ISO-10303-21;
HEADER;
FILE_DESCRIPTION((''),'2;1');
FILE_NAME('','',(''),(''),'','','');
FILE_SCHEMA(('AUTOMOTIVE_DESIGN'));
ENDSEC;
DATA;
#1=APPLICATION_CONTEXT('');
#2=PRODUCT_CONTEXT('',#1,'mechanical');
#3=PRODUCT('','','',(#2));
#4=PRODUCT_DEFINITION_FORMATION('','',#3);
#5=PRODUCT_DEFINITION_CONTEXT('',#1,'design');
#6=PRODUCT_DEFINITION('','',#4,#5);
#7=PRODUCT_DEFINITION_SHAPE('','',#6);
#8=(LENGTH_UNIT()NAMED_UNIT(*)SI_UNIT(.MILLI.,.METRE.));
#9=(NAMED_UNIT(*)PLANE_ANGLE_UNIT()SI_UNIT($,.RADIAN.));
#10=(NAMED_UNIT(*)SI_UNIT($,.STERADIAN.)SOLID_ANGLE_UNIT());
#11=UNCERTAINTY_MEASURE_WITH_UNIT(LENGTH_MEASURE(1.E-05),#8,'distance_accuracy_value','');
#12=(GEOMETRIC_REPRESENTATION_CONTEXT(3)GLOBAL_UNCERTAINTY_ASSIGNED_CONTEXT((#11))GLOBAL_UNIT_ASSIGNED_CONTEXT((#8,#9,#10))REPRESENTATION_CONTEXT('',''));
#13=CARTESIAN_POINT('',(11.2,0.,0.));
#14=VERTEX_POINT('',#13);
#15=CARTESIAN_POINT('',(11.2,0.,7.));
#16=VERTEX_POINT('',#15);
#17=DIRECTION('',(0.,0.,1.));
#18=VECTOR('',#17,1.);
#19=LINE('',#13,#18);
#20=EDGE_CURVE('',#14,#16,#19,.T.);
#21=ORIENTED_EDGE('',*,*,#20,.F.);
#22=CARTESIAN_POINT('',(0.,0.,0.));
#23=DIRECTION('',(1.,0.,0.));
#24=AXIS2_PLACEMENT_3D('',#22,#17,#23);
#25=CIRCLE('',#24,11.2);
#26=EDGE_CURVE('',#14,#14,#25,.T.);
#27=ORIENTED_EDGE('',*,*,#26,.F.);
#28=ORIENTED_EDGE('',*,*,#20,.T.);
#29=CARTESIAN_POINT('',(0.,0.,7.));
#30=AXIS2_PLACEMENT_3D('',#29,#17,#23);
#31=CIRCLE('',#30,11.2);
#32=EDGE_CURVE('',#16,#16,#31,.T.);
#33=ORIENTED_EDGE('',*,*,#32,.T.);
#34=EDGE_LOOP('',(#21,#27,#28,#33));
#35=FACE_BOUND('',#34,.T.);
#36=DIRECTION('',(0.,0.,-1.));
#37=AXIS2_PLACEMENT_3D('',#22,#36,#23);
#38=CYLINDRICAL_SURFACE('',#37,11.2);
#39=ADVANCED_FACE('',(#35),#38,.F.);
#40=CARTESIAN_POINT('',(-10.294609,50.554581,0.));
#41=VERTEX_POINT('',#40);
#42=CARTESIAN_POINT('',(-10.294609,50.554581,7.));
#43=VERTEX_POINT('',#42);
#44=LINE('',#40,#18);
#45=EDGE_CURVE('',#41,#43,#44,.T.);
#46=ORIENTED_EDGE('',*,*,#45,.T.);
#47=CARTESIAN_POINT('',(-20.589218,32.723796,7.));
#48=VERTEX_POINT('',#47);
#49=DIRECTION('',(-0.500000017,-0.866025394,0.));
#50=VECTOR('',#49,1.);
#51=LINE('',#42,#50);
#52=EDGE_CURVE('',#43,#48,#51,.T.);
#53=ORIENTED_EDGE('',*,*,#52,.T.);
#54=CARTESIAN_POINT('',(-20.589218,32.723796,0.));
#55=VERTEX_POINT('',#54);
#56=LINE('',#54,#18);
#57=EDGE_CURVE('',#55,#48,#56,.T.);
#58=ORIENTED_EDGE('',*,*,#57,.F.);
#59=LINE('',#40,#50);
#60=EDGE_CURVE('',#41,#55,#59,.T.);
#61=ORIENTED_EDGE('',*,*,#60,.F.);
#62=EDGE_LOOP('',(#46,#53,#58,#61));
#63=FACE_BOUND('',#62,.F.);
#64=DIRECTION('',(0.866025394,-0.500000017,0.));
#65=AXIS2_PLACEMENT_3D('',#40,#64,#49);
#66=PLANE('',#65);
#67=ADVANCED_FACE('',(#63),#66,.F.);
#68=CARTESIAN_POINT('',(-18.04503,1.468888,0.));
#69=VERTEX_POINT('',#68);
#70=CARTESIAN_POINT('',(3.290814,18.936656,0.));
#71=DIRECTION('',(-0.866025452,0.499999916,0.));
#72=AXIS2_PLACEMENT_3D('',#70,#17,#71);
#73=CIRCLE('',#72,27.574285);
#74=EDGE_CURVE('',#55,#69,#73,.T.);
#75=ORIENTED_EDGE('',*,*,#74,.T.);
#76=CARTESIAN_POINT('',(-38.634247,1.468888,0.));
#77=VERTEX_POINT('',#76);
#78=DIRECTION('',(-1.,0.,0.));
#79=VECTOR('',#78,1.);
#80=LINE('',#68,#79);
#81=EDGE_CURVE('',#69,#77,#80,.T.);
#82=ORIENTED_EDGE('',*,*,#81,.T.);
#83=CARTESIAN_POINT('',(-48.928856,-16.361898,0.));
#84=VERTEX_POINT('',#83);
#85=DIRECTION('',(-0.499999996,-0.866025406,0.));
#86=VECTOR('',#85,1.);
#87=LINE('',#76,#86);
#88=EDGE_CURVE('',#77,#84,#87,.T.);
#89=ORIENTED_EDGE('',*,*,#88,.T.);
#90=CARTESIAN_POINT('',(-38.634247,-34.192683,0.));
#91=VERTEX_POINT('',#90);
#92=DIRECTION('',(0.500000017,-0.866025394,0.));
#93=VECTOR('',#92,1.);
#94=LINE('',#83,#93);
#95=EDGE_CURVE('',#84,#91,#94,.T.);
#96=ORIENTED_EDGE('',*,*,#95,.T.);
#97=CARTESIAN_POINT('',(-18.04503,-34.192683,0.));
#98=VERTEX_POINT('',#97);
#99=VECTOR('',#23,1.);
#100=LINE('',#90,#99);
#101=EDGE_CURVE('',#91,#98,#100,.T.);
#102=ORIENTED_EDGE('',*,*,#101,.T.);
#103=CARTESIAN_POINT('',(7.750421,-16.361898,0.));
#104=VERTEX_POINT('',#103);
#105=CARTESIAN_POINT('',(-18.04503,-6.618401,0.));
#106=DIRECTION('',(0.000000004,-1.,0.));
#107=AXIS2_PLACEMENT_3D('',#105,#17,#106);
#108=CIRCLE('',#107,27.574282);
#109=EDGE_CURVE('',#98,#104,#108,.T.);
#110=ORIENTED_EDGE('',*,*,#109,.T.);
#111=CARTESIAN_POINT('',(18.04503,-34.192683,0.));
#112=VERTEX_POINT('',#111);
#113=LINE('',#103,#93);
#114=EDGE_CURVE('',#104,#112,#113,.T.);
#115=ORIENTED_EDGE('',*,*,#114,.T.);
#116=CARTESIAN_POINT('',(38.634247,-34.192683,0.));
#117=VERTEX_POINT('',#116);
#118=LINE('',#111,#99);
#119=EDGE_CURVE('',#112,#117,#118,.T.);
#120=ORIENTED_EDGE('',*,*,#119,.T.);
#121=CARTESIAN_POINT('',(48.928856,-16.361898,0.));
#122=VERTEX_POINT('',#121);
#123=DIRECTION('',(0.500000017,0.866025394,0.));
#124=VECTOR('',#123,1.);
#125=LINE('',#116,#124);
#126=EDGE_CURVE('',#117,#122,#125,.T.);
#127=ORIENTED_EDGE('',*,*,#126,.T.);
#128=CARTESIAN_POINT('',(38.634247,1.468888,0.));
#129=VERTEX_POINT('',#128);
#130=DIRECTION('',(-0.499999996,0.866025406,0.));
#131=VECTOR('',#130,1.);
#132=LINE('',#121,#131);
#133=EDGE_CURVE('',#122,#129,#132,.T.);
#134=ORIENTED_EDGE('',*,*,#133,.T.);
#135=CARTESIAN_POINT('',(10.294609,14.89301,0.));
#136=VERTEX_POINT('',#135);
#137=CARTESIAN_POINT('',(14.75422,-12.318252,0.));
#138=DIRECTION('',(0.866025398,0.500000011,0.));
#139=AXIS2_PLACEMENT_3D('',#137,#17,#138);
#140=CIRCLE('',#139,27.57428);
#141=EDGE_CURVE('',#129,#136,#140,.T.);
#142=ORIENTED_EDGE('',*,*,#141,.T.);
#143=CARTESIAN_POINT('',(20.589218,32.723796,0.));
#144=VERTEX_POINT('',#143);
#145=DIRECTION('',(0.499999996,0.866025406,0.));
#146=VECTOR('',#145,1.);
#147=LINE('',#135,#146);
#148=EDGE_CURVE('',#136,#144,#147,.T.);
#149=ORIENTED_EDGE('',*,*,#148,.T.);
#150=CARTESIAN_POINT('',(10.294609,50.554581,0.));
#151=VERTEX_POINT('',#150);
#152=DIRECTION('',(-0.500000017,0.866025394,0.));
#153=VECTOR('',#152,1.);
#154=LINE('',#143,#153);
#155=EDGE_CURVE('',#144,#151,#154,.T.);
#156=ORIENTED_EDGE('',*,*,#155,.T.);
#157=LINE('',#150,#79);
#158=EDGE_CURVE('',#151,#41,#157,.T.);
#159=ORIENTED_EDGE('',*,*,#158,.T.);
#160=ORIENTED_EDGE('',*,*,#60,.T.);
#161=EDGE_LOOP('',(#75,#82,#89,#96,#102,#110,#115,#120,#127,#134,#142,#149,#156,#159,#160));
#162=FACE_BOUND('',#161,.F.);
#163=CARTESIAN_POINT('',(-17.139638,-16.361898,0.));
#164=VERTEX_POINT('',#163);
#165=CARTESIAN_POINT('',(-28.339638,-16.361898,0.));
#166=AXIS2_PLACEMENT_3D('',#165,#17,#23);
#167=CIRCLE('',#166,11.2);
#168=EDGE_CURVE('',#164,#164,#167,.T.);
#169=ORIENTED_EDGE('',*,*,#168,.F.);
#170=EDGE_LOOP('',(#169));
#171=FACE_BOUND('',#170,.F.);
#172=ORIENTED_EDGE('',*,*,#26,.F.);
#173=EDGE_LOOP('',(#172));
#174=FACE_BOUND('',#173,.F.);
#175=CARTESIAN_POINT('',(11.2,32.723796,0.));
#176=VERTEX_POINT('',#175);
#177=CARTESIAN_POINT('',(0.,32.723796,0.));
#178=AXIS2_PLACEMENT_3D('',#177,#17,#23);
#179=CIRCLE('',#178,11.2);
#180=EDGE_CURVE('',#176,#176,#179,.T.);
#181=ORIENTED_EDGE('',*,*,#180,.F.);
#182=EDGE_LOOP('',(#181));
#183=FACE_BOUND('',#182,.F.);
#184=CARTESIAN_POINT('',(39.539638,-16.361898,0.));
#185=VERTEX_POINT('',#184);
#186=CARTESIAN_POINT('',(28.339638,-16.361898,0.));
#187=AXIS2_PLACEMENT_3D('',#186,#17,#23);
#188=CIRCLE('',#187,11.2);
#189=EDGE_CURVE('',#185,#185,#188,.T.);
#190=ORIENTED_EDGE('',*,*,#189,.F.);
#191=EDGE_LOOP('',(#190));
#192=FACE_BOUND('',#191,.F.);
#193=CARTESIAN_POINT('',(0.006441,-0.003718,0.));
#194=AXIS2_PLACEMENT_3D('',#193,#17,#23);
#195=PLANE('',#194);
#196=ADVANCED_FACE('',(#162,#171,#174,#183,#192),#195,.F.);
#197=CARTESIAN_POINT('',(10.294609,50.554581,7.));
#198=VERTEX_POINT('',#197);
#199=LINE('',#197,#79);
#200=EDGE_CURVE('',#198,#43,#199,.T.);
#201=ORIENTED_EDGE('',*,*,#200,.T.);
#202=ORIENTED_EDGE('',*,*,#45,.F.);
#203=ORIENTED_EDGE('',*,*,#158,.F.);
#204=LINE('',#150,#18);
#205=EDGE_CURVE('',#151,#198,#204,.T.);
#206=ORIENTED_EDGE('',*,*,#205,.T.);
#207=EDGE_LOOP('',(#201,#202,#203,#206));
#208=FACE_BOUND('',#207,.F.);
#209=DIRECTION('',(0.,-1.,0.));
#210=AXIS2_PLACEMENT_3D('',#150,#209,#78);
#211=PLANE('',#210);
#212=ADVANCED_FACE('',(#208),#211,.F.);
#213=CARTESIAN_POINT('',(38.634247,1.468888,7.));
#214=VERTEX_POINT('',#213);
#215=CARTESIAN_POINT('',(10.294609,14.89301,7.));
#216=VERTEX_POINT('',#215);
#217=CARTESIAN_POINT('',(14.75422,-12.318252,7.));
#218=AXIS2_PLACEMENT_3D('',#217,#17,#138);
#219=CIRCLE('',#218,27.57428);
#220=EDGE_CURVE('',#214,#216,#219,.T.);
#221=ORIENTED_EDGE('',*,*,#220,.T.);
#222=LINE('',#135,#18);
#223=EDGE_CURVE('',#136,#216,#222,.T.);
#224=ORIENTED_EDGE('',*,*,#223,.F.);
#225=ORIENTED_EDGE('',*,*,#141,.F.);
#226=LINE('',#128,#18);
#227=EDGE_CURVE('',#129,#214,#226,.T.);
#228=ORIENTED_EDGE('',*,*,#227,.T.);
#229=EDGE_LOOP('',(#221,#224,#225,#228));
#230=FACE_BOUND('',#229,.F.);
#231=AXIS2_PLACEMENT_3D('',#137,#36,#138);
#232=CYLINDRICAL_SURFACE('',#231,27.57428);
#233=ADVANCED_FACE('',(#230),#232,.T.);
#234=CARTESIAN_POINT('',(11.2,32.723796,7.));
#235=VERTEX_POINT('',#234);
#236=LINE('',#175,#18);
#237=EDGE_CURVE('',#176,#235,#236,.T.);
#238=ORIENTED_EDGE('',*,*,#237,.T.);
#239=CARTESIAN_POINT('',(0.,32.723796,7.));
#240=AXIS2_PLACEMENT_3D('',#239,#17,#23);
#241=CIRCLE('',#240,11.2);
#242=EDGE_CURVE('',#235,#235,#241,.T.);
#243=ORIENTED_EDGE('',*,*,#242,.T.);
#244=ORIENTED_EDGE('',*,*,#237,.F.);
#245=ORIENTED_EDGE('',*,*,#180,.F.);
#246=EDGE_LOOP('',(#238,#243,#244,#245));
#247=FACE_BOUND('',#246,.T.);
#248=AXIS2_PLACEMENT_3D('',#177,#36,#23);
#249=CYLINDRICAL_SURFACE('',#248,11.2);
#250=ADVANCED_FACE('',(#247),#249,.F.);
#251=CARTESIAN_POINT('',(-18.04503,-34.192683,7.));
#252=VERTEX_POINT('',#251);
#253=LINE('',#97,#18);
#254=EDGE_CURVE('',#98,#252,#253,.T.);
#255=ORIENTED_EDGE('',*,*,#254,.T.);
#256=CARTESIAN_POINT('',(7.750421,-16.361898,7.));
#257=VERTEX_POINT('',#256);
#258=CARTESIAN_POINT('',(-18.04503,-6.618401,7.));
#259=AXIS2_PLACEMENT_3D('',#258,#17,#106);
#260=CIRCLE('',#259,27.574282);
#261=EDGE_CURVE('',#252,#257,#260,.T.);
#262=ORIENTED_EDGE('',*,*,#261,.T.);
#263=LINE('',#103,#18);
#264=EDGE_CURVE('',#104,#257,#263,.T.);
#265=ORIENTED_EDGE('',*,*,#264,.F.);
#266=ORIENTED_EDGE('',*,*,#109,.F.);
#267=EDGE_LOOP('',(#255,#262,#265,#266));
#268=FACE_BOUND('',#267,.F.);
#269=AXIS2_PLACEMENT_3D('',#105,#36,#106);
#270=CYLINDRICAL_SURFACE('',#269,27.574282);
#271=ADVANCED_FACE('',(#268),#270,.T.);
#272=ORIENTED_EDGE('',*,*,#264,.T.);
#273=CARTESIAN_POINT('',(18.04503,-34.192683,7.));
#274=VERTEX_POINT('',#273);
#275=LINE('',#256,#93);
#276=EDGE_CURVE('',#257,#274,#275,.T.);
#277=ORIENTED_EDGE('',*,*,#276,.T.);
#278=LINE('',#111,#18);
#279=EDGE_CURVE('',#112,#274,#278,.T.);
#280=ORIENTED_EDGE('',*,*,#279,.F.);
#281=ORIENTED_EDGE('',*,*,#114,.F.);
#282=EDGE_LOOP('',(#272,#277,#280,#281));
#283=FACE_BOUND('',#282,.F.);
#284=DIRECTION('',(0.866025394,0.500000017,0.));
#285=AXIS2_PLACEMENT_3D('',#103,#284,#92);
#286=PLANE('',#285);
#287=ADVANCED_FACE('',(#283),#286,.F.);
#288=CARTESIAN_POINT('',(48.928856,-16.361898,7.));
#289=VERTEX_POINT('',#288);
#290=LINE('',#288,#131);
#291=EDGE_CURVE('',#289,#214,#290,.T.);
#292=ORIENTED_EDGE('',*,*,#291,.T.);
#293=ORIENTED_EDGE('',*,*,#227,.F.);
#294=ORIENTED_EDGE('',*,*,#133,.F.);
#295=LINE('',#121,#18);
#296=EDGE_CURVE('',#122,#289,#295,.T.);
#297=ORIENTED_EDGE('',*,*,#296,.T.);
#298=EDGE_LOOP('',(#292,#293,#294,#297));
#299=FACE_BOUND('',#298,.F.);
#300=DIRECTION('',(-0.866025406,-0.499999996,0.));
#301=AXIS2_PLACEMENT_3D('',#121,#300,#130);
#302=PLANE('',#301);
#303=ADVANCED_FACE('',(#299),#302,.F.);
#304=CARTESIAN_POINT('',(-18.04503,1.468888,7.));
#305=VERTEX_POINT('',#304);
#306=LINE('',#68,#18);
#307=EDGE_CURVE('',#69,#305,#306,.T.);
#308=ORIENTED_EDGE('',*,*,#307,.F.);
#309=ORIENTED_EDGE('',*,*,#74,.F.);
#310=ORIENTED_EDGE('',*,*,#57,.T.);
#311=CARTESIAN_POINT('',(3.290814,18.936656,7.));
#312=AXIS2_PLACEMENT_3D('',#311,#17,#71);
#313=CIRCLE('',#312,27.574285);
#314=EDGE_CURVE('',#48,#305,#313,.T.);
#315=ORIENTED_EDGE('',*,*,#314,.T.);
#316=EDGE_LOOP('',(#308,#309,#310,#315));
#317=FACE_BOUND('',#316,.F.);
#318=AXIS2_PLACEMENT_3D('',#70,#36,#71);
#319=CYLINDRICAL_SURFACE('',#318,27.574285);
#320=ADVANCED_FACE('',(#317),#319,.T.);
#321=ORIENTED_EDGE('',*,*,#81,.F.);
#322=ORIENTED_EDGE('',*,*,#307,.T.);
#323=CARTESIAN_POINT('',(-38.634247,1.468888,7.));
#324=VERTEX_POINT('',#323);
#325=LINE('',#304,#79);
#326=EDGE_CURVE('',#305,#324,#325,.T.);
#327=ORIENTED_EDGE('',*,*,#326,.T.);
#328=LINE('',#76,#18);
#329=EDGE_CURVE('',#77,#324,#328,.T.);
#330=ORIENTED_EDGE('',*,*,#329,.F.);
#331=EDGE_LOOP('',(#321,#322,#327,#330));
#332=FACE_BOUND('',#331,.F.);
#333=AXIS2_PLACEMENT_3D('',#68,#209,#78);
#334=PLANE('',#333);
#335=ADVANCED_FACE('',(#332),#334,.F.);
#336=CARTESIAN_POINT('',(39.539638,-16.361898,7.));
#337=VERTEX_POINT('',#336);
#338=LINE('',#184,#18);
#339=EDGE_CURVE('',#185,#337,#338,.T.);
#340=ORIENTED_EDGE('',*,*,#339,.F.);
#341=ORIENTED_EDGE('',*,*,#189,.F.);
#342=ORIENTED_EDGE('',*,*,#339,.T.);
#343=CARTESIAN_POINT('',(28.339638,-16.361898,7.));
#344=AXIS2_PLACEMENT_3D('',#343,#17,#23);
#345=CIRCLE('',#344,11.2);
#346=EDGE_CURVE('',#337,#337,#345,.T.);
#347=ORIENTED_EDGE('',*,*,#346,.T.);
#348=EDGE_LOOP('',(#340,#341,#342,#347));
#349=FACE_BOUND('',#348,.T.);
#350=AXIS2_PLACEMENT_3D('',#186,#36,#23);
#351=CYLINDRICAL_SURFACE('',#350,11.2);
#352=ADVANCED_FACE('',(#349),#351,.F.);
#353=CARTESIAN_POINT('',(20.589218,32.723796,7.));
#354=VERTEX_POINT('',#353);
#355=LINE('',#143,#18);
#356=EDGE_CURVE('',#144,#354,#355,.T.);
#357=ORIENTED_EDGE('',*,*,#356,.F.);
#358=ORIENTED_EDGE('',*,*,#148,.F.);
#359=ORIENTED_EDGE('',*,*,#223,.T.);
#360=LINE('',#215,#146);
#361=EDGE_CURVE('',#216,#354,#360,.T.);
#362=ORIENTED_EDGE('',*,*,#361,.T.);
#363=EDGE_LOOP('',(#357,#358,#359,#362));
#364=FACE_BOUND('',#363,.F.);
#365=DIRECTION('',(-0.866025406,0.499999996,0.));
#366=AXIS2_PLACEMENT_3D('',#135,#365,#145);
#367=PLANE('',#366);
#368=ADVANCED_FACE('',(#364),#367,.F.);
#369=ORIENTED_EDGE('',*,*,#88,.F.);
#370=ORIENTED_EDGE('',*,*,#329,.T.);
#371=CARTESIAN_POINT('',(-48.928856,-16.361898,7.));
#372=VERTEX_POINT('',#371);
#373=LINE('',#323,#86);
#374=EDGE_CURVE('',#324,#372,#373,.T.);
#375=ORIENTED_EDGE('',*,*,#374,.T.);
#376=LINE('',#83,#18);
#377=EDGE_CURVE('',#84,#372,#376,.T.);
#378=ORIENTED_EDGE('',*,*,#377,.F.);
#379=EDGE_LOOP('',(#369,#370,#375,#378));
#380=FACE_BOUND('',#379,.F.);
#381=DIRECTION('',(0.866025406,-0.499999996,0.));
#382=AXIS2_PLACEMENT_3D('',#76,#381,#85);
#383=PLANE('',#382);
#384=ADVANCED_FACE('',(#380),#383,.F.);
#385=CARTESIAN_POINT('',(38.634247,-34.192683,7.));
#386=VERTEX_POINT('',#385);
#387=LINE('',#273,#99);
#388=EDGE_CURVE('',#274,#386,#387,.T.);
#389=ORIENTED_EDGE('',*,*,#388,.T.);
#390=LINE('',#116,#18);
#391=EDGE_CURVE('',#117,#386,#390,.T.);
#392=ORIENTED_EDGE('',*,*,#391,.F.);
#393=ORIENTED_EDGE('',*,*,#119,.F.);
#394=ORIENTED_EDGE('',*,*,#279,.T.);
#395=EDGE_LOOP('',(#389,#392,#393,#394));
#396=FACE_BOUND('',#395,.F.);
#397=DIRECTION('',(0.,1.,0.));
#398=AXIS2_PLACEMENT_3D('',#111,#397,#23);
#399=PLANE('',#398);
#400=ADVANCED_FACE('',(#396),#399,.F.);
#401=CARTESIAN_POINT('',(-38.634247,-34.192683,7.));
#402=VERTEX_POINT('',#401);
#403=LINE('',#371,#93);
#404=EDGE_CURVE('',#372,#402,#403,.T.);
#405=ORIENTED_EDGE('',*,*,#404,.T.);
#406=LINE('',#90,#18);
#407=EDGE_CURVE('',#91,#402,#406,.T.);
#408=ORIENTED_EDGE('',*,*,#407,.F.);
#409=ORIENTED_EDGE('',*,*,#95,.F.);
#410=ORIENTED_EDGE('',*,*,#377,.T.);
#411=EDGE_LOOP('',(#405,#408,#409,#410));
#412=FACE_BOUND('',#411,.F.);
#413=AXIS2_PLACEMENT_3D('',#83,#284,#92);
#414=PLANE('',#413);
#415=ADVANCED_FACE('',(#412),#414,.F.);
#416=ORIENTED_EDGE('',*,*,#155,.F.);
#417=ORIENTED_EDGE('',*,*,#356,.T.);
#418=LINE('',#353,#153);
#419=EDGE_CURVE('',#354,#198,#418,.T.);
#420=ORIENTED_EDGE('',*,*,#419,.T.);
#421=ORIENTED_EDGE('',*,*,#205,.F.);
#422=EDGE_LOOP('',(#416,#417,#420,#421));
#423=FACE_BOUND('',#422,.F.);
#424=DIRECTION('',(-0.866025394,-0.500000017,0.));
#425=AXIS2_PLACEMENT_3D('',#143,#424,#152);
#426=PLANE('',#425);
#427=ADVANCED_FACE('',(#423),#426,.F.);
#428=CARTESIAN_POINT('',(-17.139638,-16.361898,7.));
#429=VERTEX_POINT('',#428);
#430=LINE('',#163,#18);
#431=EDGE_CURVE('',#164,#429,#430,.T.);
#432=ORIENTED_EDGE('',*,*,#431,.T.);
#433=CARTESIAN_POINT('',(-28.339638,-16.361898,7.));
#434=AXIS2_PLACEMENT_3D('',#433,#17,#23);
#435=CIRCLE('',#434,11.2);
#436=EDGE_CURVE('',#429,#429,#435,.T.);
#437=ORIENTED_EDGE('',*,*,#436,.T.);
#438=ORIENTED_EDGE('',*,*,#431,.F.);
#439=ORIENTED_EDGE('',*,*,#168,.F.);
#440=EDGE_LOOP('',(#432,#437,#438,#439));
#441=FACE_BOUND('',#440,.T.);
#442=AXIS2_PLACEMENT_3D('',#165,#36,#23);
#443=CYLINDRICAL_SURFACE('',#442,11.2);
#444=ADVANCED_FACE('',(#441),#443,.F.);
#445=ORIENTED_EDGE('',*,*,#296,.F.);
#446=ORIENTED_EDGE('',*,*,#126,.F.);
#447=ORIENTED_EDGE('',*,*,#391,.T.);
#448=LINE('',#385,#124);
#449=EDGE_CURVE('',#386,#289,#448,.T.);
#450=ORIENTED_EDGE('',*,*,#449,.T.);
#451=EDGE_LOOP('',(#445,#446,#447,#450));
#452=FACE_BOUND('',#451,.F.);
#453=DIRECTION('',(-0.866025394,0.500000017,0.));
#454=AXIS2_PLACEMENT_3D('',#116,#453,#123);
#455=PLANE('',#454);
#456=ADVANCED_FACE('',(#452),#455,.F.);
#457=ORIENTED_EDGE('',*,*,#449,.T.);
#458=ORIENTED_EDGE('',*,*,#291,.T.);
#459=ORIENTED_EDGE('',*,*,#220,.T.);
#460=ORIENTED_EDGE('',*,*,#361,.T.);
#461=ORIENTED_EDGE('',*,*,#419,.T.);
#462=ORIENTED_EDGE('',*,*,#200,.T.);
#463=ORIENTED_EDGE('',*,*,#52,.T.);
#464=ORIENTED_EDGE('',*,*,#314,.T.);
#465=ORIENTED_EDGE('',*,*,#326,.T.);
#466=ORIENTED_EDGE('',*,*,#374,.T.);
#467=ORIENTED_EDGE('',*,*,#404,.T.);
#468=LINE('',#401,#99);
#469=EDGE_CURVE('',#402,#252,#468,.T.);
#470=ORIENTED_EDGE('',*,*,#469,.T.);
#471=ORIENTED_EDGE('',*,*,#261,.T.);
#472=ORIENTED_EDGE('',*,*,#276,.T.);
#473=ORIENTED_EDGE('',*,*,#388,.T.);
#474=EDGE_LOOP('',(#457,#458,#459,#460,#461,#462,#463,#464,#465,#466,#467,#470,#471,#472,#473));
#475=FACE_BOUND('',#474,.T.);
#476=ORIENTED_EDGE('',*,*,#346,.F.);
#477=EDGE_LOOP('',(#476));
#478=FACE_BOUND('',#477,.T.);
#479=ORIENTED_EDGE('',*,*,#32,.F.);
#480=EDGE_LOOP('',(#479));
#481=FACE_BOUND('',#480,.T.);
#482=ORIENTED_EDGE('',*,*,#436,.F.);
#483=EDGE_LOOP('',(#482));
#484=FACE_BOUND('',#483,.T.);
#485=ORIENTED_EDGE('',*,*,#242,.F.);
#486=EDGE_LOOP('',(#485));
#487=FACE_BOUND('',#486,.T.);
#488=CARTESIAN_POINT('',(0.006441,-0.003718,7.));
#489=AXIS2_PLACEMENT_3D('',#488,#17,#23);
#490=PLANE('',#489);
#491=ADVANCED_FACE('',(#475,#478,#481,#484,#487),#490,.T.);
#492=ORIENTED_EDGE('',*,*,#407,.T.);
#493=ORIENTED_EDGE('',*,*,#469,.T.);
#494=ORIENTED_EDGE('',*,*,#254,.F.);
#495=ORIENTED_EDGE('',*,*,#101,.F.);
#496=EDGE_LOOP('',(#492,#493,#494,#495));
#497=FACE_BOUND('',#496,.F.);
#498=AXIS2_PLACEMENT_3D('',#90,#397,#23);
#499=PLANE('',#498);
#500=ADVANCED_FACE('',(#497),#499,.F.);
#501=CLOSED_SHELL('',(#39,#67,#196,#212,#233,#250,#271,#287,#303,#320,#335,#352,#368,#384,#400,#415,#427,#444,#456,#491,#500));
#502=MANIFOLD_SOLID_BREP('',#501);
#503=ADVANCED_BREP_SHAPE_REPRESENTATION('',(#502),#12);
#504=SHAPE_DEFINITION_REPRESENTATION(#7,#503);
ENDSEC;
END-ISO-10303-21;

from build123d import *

# Parameters (mm, degrees)
F0_R     = 11.2
F1_DEPTH = 7


with BuildPart() as f1:
    # F0 (on Top) → F1 (new body)
    with BuildSketch(Plane.XY):
        with BuildLine():
            Line((7.750421, -16.361898), (11.378001, -10.078745))
            ThreePointArc((11.378001, -10.078745), (13.163586, -7.6), (14.417449, -4.814265))
            Line((14.417449, -4.814265), (18.04503, 1.468888))
            Line((18.04503, 1.468888), (38.634247, 1.468888))
            ThreePointArc((38.634247, 1.468888), (26.558452, 12.60164), (10.294609, 14.89301))
            Line((10.294609, 14.89301), (3.039449, 14.89301))
            Line((3.039449, 14.89301), (-3.039449, 14.89301))
            Line((-3.039449, 14.89301), (-10.294609, 14.89301))
            Line((-10.294609, 14.89301), (-20.589218, 32.723796))
            ThreePointArc((-20.589218, 32.723796), (-24.192566, 16.699475), (-18.04503, 1.468888))
            Line((-18.04503, 1.468888), (-7.750421, -16.361898))
            Line((-7.750421, -16.361898), (-18.04503, -34.192683))
            ThreePointArc((-18.04503, -34.192683), (-2.365886, -29.301114), (7.750421, -16.361898))
        make_face()
        Circle(F0_R, mode=Mode.SUBTRACT)
        Polygon((-38.634247, -34.192683), (-18.04503, -34.192683), (-7.750421, -16.361898), (-18.04503, 1.468888), (-38.634247, 1.468888), (-48.928856, -16.361898), align=None)
        with Locations((-28.339638, -16.361898)):
            Circle(F0_R, mode=Mode.SUBTRACT)
        with BuildLine():
            ThreePointArc((14.417449, -4.814265), (13.163586, -7.6), (11.378001, -10.078745))
            Line((11.378001, -10.078745), (7.750421, -16.361898))
            Line((7.750421, -16.361898), (18.04503, -34.192683))
            Line((18.04503, -34.192683), (38.634247, -34.192683))
            Line((38.634247, -34.192683), (48.928856, -16.361898))
            Line((48.928856, -16.361898), (38.634247, 1.468888))
            Line((38.634247, 1.468888), (18.04503, 1.468888))
            Line((18.04503, 1.468888), (14.417449, -4.814265))
        make_face()
        with Locations((28.339638, -16.361898)):
            Circle(F0_R, mode=Mode.SUBTRACT)
        Polygon((3.039449, 14.89301), (10.294609, 14.89301), (20.589218, 32.723796), (10.294609, 50.554581), (-10.294609, 50.554581), (-20.589218, 32.723796), (-10.294609, 14.89301), (-3.039449, 14.89301), align=None)
        with Locations((0, 32.723796)):
            Circle(F0_R, mode=Mode.SUBTRACT)
    extrude(amount=F1_DEPTH)


solid = f1.part
